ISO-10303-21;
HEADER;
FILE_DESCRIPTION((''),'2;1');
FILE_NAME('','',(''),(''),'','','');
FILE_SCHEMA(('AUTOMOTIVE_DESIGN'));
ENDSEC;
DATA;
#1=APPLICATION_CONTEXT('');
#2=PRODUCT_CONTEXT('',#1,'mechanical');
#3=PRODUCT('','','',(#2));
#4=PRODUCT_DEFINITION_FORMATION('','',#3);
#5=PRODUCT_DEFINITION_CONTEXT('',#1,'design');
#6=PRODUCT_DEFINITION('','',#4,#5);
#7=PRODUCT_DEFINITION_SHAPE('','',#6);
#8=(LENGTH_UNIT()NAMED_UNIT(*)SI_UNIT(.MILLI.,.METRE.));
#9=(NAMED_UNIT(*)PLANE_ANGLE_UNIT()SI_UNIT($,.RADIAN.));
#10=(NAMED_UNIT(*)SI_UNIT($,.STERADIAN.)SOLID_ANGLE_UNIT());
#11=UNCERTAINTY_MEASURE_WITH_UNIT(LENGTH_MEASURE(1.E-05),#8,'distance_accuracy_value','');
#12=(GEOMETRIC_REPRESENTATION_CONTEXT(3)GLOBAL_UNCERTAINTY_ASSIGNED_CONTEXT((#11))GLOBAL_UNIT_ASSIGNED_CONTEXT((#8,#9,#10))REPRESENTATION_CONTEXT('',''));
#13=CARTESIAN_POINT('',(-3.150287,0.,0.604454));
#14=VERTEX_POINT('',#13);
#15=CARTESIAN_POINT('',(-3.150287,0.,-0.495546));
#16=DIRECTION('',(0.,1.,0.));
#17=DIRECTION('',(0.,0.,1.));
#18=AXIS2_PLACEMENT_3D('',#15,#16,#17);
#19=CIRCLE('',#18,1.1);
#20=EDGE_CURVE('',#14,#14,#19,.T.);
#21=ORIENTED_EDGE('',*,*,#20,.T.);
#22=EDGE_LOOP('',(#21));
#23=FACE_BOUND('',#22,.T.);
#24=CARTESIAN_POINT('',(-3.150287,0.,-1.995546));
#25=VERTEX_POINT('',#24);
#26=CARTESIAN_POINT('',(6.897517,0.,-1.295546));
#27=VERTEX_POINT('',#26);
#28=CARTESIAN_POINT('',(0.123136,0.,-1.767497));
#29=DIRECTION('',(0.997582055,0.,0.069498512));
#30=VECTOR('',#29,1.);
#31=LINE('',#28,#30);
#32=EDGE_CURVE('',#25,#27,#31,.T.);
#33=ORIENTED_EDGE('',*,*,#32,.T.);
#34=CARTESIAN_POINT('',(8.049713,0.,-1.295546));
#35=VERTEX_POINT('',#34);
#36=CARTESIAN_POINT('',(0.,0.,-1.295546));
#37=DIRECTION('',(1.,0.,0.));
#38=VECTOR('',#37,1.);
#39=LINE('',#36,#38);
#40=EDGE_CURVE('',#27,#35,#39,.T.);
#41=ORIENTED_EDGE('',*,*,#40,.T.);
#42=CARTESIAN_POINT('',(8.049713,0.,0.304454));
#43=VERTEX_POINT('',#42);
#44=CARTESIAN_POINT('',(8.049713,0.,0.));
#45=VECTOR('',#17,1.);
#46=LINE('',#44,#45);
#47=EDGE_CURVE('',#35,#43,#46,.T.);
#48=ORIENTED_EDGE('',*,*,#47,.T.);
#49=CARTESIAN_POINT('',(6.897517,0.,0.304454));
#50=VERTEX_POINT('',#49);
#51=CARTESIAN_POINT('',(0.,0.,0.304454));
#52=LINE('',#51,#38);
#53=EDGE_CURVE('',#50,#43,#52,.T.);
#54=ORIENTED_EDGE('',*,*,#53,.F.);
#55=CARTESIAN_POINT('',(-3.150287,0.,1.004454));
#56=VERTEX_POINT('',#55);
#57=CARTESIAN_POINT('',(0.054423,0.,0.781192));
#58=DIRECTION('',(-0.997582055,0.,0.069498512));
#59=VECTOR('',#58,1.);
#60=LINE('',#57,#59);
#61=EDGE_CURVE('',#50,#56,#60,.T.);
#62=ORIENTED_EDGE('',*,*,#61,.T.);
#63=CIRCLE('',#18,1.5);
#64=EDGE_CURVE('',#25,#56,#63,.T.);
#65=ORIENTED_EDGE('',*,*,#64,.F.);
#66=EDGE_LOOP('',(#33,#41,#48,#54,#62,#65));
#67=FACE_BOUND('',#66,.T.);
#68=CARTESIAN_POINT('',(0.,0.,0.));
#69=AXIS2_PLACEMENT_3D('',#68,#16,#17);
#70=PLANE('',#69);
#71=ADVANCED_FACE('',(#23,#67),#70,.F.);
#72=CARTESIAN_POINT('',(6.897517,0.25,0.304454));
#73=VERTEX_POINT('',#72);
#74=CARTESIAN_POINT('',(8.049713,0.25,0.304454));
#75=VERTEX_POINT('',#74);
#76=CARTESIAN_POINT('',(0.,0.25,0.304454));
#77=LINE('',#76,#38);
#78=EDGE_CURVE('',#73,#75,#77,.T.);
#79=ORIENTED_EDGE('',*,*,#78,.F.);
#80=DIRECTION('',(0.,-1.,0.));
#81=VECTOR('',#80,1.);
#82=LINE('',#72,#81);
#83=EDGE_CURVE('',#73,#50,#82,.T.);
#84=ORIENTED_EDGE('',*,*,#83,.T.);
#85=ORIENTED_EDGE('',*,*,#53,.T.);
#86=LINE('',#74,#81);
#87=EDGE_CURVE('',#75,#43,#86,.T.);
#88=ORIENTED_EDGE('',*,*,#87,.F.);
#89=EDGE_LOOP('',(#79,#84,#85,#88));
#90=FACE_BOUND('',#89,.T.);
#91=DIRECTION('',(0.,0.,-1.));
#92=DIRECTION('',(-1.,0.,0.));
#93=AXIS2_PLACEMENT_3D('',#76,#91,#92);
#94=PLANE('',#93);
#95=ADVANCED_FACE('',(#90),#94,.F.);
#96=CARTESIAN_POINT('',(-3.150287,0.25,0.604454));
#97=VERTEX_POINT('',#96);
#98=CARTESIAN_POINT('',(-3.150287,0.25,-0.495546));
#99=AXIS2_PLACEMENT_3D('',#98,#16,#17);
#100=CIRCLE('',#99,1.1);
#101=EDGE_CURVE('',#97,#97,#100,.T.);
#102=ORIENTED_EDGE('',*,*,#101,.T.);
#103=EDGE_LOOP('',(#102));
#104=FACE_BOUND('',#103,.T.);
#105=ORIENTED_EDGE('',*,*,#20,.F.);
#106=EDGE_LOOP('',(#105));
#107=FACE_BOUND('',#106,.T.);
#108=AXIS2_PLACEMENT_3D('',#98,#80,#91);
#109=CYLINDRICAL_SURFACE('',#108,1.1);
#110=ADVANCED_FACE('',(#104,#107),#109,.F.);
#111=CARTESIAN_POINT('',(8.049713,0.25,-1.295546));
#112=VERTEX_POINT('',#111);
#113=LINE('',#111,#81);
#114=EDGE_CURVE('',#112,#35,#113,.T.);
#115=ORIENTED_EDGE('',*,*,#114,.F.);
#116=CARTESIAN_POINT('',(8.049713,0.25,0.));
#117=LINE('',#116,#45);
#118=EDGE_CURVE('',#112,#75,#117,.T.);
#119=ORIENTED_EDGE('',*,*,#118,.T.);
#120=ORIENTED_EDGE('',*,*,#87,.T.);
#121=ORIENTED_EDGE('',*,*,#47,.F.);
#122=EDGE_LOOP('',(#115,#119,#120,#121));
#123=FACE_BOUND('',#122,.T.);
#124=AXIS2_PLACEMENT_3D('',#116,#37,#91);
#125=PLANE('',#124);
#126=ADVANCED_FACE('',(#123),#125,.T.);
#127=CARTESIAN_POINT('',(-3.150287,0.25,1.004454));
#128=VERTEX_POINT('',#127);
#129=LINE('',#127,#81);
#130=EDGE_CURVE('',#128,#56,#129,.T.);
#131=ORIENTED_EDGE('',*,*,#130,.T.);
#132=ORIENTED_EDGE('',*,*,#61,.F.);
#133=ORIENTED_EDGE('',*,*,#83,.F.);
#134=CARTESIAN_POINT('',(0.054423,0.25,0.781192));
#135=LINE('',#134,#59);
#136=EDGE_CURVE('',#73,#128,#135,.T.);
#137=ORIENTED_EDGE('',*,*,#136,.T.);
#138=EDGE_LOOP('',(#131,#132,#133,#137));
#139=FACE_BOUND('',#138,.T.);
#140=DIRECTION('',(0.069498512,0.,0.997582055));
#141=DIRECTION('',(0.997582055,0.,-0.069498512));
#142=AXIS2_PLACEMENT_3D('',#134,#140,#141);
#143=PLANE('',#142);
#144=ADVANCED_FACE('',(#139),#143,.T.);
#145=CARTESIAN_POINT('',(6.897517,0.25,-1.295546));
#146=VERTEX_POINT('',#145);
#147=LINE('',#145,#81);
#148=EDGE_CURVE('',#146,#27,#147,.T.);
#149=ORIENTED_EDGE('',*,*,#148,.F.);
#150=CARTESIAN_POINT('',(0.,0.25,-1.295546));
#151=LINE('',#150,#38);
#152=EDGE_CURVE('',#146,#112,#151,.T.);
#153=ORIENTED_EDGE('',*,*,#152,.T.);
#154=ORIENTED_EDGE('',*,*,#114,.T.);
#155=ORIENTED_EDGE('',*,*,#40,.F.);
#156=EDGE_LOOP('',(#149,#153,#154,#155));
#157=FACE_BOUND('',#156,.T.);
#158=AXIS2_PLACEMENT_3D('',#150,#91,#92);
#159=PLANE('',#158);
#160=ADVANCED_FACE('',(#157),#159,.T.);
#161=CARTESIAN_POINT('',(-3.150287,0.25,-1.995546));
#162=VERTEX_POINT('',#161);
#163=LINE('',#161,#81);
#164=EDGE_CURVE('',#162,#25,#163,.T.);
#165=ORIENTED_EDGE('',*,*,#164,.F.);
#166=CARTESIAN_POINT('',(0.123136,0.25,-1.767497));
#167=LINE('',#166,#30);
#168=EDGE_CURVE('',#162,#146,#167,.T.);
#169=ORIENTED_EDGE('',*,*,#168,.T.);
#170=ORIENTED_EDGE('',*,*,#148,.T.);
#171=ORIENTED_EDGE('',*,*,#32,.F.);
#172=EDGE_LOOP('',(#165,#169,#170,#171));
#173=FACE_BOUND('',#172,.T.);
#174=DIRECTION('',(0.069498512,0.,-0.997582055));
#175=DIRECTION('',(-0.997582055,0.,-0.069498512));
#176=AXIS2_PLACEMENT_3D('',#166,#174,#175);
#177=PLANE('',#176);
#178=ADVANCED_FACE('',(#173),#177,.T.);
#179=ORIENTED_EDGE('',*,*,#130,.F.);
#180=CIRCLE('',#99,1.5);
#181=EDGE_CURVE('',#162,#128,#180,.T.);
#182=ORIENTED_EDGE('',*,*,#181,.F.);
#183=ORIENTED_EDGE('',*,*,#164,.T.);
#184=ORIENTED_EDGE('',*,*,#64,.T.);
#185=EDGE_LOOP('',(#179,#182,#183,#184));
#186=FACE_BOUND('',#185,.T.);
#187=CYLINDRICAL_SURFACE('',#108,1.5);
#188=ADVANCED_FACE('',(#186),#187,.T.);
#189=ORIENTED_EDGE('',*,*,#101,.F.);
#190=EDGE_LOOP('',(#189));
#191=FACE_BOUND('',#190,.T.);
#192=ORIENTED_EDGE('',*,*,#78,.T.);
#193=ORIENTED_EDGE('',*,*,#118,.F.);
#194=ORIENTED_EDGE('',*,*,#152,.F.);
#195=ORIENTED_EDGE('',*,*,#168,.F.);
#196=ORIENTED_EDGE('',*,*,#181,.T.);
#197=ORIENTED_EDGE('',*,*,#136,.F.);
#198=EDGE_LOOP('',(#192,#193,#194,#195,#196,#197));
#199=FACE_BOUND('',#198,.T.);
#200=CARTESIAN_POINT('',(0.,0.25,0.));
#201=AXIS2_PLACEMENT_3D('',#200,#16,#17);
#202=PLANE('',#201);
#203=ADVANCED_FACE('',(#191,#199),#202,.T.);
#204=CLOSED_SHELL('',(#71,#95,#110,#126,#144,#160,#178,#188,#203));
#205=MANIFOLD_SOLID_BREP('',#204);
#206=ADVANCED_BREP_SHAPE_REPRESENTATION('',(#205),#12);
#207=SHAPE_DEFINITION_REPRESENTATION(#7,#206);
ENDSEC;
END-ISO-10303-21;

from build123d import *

# Parameters (mm, degrees)
SKETCH1_W           = 1.152195829
SKETCH1_H           = 1.6
BOSS_EXTRUDE3_DEPTH = 0.25


with BuildPart() as part:
    # Sketch1 → Boss-Extrude3 (new body)
    with BuildSketch(Plane(origin=(0, 0, 0), x_dir=(1, 0, 0), z_dir=(0, 1, 0))):
        with BuildLine():
            Line((-2.942295951, 1.981055848), (-3.150287356, 1.995545977))
            ThreePointArc((-3.150287356, 1.995545977), (-3.874856194, 1.808938531), (-4.41914511, 1.295545977))
            Line((-4.41914511, 1.295545977), (-3.9052708, 1.295545977))
            ThreePointArc((-3.9052708, 1.295545977), (-3.150287356, 1.595545977), (-2.395303913, 1.295545977))
            Line((-2.395303913, 1.295545977), (-1.881429602, 1.295545977))
            ThreePointArc((-1.881429602, 1.295545977), (-2.336191658, 1.755406364), (-2.942295951, 1.981055848))
        make_face()
        with BuildLine():
            Line((6.897516815, 1.295545977), (-2.942295951, 1.981055848))
            ThreePointArc((-2.942295951, 1.981055848), (-2.336191658, 1.755406364), (-1.881429602, 1.295545977))
            Line((-1.881429602, 1.295545977), (6.897516815, 1.295545977))
        make_face()
        with BuildLine():
            Line((-3.9052708, 1.295545977), (-4.41914511, 1.295545977))
            ThreePointArc((-4.41914511, 1.295545977), (-4.591343676, 0.91190722), (-4.650287356, 0.495545977))
            ThreePointArc((-4.650287356, 0.495545977), (-4.591343676, 0.079184734), (-4.41914511, -0.304454023))
            Line((-4.41914511, -0.304454023), (-3.9052708, -0.304454023))
            ThreePointArc((-3.9052708, -0.304454023), (-4.250287356, 0.495545977), (-3.9052708, 1.295545977))
        make_face()
        with BuildLine():
            ThreePointArc((-1.650287356, 0.495545977), (-1.709231037, 0.91190722), (-1.881429602, 1.295545977))
            Line((-1.881429602, 1.295545977), (-2.395303913, 1.295545977))
            ThreePointArc((-2.395303913, 1.295545977), (-2.140217609, 0.931159459), (-2.050287356, 0.495545977))
            ThreePointArc((-2.050287356, 0.495545977), (-2.140217609, 0.059932495), (-2.395303913, -0.304454023))
            Line((-2.395303913, -0.304454023), (-1.881429602, -0.304454023))
            ThreePointArc((-1.881429602, -0.304454023), (-1.709231037, 0.079184734), (-1.650287356, 0.495545977))
        make_face()
        with BuildLine():
            ThreePointArc((-2.395303913, -0.304454023), (-3.150287356, -0.604454023), (-3.9052708, -0.304454023))
            Line((-3.9052708, -0.304454023), (-4.41914511, -0.304454023))
            ThreePointArc((-4.41914511, -0.304454023), (-3.874856194, -0.817846577), (-3.150287356, -1.004454023))
            Line((-3.150287356, -1.004454023), (-2.942295951, -0.989963893))
            ThreePointArc((-2.942295951, -0.989963893), (-2.336191658, -0.76431441), (-1.881429602, -0.304454023))
            Line((-1.881429602, -0.304454023), (-2.395303913, -0.304454023))
        make_face()
        with BuildLine():
            Line((6.897516815, -0.304454023), (6.897516815, 1.295545977))
            Line((6.897516815, 1.295545977), (-1.881429602, 1.295545977))
            ThreePointArc((-1.881429602, 1.295545977), (-1.709231037, 0.91190722), (-1.650287356, 0.495545977))
            ThreePointArc((-1.650287356, 0.495545977), (-1.709231037, 0.079184734), (-1.881429602, -0.304454023))
            Line((-1.881429602, -0.304454023), (6.897516815, -0.304454023))
        make_face()
        with BuildLine():
            Line((-2.942295951, -0.989963893), (6.897516815, -0.304454023))
            Line((6.897516815, -0.304454023), (-1.881429602, -0.304454023))
            ThreePointArc((-1.881429602, -0.304454023), (-2.336191658, -0.76431441), (-2.942295951, -0.989963893))
        make_face()
        with Locations((7.47361473, 0.495545977)):
            Rectangle(SKETCH1_W, SKETCH1_H)
    extrude(amount=BOSS_EXTRUDE3_DEPTH)


solid = part.part
